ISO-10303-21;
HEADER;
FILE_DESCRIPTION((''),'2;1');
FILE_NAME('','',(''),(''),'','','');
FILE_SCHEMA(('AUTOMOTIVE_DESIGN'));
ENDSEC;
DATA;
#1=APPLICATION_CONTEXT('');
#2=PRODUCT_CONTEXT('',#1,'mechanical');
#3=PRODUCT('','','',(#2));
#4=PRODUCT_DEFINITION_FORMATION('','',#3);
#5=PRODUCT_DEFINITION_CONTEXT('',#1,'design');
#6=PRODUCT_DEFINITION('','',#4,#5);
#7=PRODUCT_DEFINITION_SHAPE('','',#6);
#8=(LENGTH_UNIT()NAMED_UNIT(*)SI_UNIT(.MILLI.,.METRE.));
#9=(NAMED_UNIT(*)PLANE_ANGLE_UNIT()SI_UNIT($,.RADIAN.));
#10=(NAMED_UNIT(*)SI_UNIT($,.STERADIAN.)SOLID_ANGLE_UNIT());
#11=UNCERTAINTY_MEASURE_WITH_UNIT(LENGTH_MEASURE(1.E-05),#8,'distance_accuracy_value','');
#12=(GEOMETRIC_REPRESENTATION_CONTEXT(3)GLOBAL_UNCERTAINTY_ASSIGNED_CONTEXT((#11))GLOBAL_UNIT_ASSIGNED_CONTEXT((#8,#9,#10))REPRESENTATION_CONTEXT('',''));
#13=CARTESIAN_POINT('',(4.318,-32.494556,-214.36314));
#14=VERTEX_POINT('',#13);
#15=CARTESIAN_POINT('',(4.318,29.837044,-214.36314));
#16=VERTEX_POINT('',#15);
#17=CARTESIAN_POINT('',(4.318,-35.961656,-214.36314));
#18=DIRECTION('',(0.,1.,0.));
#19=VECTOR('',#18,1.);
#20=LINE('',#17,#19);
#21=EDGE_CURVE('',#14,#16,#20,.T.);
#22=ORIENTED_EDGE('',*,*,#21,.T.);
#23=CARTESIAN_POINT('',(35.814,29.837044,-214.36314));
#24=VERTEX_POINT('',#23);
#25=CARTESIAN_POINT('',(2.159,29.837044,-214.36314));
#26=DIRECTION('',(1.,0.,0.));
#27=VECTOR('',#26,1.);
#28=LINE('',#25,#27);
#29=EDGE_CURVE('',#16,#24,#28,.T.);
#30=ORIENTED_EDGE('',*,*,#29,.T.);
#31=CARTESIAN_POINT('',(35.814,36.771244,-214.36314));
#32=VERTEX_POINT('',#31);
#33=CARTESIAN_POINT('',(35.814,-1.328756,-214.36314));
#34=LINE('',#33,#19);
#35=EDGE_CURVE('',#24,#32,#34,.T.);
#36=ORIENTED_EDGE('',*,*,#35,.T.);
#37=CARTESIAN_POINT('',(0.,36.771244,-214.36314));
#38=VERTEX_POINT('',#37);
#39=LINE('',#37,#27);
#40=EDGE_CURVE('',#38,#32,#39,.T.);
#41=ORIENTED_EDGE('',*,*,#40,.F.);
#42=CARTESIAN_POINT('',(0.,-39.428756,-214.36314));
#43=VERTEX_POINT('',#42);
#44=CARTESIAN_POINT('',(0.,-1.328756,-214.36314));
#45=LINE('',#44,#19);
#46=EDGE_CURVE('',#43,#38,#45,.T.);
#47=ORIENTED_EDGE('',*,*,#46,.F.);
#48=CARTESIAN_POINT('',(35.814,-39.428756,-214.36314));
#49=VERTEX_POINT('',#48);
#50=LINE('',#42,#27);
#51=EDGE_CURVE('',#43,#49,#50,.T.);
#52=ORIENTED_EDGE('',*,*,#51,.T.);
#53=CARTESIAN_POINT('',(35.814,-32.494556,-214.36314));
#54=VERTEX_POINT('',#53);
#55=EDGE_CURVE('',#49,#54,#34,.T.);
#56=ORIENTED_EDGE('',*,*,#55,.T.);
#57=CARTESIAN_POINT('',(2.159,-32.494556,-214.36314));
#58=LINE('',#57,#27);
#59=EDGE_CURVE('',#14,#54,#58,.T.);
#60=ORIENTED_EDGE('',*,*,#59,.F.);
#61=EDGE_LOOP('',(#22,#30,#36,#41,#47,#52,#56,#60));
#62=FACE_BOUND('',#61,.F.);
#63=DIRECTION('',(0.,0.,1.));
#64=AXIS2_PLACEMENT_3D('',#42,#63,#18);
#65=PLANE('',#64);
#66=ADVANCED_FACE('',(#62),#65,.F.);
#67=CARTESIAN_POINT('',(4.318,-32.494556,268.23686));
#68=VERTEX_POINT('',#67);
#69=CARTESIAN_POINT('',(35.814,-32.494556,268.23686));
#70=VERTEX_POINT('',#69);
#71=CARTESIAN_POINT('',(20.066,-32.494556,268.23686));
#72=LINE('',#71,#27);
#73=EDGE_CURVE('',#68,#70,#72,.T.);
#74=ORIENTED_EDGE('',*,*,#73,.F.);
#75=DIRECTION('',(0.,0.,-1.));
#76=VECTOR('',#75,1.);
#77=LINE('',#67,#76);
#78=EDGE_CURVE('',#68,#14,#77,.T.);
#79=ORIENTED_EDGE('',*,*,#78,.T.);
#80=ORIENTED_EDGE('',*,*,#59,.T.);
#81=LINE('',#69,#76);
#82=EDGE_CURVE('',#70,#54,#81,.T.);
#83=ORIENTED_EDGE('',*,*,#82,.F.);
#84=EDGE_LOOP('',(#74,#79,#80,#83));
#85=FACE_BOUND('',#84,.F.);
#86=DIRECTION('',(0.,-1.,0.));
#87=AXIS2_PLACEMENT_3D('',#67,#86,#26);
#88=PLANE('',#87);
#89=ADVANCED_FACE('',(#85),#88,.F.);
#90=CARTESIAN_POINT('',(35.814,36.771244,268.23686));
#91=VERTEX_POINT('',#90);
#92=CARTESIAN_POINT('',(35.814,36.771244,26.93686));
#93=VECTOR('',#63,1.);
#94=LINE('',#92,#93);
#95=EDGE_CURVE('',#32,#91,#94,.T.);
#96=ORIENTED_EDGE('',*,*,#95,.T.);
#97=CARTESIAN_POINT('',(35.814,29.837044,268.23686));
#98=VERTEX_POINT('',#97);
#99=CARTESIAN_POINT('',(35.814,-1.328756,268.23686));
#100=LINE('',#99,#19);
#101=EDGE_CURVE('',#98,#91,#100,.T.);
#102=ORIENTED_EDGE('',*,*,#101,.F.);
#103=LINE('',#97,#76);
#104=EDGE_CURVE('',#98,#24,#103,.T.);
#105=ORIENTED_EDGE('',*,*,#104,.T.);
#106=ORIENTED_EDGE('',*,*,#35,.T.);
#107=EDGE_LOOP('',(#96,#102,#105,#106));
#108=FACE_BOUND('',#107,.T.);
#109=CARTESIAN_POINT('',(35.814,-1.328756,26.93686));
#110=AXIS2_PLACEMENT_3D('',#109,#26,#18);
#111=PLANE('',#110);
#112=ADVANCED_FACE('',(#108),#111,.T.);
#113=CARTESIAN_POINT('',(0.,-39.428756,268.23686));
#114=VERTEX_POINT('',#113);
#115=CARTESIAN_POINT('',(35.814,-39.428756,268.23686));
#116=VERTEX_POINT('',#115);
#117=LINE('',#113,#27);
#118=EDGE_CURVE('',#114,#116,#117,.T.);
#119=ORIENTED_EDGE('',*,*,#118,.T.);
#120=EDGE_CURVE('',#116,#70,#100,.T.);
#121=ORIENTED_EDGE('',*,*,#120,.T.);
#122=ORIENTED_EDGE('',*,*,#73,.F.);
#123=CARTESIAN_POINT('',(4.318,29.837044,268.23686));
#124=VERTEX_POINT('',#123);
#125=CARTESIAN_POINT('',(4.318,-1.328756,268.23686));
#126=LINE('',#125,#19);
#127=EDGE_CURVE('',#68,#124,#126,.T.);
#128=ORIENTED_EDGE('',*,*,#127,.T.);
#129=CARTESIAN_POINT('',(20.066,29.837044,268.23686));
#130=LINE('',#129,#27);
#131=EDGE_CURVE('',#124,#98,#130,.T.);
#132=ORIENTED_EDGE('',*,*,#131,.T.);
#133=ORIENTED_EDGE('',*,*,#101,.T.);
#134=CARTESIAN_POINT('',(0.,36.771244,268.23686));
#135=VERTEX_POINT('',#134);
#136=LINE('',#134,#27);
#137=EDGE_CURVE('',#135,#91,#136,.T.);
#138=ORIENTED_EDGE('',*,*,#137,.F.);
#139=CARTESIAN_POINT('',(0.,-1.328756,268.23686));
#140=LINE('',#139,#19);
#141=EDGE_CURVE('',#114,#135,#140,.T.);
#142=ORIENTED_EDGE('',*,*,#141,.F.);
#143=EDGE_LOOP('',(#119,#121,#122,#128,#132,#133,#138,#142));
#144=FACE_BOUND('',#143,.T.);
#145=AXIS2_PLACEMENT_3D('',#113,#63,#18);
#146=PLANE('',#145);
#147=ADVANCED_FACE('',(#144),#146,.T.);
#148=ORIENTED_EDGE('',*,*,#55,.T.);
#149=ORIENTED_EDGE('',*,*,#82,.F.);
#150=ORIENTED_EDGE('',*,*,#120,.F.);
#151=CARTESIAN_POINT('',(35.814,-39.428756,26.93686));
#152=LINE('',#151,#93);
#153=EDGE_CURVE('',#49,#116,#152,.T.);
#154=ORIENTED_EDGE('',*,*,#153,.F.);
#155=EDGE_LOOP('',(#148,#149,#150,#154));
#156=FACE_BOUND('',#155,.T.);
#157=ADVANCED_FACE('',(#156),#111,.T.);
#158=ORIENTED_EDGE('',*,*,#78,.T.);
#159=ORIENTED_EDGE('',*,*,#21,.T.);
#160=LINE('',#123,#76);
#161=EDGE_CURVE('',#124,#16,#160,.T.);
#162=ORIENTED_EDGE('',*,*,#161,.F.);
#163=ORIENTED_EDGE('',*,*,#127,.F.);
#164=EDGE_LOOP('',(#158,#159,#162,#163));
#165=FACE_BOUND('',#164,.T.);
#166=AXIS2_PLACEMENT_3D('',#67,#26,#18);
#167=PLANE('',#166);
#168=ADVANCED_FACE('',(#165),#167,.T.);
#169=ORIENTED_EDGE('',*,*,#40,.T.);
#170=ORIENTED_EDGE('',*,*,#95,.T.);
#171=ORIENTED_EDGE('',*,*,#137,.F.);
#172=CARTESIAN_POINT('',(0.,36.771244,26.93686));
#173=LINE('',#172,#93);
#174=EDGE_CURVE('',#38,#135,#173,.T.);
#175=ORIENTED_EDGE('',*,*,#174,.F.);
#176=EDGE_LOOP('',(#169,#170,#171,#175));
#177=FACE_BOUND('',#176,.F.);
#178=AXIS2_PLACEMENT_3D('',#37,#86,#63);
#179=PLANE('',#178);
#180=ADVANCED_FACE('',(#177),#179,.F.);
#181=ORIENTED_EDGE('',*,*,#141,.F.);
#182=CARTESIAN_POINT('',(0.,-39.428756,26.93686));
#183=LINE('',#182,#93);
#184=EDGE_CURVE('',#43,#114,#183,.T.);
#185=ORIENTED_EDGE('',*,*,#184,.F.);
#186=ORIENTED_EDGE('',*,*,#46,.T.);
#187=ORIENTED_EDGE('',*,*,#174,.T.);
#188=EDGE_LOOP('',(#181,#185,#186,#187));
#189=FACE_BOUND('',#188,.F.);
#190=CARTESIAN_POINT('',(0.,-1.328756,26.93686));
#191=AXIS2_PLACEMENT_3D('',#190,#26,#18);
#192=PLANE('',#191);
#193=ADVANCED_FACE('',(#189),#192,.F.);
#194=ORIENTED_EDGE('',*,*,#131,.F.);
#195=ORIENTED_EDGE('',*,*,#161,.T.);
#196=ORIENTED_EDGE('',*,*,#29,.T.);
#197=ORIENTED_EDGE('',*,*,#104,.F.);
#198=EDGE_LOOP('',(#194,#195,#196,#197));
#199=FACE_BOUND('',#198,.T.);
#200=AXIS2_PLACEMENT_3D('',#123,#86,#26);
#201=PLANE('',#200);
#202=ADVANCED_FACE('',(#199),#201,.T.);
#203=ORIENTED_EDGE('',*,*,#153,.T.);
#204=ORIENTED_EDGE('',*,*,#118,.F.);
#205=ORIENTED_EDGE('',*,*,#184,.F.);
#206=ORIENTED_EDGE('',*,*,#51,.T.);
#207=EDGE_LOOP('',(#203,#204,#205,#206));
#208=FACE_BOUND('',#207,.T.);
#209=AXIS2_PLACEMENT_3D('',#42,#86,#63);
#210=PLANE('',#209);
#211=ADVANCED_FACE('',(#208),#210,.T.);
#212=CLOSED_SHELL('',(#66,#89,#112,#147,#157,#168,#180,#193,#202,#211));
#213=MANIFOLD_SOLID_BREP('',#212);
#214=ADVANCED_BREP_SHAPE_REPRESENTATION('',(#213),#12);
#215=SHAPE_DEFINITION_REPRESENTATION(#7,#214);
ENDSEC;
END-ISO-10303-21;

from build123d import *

# Parameters (mm, degrees)
F0_W     = 76.2
F0_H     = 482.6
F1_DEPTH = 35.814
F2_W     = 31.496
F2_H     = 62.3316
F3_DEPTH = 482.601


with BuildPart() as f1:
    # F0 (on Right) → F1 (new body)
    with BuildSketch(Plane.YZ):
        with Locations((-1.328756, 26.93686)):
            Rectangle(F0_W, F0_H)
    extrude(amount=F1_DEPTH)

    # F2 (on face) → F3 (cut, through all)
    with BuildSketch(Plane.XY.offset(268.23686)):
        with Locations((20.066, -1.328756)):
            Rectangle(F2_W, F2_H)
    extrude(amount=-F3_DEPTH, mode=Mode.SUBTRACT)


solid = f1.part
